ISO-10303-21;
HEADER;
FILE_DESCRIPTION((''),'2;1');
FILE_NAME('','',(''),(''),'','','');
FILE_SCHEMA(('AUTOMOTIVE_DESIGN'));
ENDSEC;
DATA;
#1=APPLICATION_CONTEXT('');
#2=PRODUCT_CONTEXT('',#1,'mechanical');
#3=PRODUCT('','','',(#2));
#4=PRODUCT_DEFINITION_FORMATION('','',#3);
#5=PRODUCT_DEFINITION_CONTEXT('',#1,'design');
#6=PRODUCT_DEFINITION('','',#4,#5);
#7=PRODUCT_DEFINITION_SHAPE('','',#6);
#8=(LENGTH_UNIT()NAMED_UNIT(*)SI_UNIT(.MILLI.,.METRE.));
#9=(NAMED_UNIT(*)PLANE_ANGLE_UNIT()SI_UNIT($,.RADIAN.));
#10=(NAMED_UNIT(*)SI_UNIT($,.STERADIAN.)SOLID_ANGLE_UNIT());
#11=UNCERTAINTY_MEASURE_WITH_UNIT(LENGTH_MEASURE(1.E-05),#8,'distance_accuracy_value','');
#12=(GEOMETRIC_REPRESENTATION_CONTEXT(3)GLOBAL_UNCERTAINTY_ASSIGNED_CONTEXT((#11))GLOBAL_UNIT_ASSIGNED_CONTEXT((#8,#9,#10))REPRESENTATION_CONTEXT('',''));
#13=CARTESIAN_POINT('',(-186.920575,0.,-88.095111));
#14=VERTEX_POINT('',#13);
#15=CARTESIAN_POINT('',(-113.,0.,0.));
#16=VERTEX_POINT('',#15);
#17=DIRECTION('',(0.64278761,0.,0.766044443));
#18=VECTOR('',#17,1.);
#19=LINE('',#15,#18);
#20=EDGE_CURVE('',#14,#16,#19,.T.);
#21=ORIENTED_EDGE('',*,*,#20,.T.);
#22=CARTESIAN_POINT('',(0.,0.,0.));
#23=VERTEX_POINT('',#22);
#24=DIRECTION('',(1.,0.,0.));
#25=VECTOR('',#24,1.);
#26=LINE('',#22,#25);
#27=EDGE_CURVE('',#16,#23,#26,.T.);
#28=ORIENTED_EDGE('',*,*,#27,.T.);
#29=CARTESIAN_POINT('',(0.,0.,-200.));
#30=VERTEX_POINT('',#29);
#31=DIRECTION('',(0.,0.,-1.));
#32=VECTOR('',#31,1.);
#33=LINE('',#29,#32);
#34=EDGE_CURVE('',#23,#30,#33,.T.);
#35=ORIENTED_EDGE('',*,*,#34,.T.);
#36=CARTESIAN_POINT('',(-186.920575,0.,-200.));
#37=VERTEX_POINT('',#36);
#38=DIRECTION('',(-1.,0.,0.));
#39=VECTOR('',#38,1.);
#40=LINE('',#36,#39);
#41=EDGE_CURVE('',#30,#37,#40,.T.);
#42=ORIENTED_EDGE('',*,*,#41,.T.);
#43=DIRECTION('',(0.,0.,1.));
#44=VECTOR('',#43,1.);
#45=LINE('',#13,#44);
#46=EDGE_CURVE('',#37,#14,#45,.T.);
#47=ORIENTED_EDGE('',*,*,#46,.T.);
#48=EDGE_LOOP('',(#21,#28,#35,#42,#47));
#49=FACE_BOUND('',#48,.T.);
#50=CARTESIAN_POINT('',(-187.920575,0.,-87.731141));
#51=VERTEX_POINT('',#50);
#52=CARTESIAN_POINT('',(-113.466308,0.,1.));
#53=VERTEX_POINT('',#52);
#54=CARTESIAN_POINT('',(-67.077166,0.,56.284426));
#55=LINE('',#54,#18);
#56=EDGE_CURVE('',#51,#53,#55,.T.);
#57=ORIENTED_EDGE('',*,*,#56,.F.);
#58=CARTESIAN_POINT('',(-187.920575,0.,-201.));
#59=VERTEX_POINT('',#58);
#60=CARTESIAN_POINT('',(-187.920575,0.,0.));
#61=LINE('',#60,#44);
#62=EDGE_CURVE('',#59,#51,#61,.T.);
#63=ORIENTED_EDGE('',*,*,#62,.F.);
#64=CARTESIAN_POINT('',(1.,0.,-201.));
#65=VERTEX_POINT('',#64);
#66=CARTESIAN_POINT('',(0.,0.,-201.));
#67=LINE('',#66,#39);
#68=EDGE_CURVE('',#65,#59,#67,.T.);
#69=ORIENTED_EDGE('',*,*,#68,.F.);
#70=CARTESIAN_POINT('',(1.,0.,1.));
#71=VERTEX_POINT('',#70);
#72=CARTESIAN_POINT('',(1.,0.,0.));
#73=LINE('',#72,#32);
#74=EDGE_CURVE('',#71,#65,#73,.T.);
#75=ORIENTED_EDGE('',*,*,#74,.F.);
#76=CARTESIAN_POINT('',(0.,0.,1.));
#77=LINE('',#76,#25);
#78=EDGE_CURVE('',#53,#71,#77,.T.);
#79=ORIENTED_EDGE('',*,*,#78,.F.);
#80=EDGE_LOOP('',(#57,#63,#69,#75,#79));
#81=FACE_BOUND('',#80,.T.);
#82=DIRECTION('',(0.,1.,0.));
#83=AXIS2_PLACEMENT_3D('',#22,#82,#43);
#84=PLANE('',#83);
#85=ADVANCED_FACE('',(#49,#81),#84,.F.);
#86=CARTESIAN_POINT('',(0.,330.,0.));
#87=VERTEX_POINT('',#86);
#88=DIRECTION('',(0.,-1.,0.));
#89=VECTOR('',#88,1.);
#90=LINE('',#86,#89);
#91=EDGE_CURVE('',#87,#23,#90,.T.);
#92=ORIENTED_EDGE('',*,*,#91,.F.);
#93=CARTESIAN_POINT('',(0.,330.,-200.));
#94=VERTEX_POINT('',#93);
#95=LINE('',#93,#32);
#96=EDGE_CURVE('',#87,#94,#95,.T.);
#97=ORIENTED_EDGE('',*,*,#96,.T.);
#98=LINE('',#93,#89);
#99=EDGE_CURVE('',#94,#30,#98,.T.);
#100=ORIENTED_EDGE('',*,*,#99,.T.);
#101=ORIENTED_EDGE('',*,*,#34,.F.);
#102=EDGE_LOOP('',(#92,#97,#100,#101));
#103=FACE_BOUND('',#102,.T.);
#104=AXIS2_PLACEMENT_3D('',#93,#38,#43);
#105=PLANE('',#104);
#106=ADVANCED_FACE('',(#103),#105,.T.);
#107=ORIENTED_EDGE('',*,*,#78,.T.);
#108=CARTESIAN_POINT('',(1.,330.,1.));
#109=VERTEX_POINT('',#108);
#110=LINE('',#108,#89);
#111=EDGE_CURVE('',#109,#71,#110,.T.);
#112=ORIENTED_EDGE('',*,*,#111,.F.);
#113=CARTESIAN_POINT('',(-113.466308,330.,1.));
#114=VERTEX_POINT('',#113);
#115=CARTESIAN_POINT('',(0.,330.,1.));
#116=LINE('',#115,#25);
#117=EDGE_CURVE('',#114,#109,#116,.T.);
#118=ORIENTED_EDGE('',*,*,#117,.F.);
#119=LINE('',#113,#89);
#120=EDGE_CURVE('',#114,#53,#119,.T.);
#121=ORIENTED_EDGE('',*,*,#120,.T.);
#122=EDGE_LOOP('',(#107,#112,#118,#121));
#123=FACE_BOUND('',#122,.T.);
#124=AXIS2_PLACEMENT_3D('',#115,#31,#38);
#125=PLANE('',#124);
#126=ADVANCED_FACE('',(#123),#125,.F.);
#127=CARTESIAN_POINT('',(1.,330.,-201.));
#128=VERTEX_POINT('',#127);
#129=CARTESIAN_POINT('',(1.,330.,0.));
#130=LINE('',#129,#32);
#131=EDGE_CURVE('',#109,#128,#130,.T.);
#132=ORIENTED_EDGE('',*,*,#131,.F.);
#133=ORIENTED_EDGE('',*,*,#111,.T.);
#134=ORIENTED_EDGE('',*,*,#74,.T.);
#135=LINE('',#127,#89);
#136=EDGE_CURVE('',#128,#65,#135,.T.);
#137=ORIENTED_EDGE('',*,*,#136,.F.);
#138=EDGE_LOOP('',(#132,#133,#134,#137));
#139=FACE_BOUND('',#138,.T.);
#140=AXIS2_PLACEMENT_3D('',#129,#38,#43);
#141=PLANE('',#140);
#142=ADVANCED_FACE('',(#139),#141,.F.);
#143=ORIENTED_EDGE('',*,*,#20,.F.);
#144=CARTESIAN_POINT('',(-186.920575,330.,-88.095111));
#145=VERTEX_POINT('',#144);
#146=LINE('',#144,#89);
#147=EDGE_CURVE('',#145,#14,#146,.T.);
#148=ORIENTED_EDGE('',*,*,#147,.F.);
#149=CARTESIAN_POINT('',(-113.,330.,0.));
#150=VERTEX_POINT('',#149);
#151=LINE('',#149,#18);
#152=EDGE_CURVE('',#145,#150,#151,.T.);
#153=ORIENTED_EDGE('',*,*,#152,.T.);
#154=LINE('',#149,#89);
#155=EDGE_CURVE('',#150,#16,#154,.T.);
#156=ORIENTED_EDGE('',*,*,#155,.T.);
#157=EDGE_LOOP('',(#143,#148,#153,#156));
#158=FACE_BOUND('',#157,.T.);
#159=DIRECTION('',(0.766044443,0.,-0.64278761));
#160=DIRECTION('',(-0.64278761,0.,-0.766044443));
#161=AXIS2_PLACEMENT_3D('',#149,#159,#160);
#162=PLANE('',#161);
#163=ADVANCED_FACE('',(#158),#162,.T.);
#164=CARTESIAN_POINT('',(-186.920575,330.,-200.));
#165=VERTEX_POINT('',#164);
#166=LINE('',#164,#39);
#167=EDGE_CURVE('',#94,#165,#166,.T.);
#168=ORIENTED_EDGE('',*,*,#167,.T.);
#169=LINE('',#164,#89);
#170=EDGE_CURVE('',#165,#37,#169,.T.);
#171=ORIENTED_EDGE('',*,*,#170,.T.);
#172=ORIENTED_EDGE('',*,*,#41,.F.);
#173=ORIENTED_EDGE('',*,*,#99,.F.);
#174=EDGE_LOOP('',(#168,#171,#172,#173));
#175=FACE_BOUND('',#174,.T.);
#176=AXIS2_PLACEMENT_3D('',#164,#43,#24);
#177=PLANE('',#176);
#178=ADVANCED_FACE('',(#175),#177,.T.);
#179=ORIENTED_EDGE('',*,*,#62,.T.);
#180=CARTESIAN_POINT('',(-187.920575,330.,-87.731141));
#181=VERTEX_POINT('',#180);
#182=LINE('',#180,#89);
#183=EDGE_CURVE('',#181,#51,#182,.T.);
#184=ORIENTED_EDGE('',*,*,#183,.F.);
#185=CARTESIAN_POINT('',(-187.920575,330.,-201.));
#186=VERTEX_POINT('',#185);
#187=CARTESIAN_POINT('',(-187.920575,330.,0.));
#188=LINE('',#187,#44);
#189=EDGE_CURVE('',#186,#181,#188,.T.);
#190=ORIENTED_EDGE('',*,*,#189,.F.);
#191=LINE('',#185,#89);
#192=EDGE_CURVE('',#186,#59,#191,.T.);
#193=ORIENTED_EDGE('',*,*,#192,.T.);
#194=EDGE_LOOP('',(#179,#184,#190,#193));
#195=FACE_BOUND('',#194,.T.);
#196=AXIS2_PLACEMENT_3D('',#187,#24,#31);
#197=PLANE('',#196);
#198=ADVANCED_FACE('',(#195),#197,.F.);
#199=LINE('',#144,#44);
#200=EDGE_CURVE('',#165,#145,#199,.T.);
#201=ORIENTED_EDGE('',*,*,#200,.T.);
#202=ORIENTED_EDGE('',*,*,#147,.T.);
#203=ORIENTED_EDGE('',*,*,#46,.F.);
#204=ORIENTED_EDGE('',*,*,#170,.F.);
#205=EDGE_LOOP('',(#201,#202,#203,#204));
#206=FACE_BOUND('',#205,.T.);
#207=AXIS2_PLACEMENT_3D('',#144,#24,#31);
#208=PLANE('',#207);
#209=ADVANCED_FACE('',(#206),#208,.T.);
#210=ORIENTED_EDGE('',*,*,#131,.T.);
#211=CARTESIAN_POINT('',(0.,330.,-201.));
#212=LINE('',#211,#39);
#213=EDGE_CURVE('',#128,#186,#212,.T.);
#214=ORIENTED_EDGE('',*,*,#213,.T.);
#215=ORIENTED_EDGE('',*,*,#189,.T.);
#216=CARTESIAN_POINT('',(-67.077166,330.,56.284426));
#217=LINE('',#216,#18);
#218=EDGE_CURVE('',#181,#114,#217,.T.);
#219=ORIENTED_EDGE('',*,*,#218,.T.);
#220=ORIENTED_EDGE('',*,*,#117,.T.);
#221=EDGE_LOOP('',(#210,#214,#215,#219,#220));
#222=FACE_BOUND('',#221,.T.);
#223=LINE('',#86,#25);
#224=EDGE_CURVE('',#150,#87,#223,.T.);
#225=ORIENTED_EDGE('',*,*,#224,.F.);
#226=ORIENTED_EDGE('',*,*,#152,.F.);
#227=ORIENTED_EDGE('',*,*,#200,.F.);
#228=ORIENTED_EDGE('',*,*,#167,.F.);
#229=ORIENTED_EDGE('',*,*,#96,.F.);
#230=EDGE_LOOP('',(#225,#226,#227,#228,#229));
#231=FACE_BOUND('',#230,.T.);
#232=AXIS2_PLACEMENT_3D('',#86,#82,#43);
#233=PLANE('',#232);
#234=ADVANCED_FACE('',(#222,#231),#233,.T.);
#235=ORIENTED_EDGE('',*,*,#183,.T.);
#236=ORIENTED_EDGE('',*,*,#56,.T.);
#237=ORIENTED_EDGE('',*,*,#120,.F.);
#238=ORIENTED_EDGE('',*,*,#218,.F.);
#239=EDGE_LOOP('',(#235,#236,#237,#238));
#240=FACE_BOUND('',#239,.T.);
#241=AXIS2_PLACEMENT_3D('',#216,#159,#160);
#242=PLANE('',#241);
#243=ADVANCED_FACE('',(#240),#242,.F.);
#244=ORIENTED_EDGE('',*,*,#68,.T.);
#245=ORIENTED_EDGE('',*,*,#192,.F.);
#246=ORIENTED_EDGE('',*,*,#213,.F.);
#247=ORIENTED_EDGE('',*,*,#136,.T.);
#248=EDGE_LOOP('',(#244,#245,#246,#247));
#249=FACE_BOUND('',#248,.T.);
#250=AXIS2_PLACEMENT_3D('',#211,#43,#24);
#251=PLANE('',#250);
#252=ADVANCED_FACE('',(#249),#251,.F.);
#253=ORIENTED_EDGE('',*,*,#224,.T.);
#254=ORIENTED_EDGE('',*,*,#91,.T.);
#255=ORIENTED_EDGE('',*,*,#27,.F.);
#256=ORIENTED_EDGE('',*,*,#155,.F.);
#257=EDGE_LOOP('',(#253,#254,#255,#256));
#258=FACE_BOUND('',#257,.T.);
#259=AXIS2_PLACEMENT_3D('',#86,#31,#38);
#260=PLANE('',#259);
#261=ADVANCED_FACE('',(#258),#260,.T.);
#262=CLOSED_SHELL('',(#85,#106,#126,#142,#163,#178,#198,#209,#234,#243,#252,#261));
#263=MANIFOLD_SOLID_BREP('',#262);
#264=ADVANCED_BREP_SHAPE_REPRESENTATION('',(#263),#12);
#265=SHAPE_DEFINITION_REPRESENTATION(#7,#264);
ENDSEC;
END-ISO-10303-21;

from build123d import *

# Parameters (mm, degrees)
EXTRUDE_1_DEPTH = 330


with BuildPart() as part:
    # Эскиз1 → Вытянуть-Тонкостенный1 (new body)
    with BuildSketch(Plane(origin=(0, 0, 0), x_dir=(1, 0, 0), z_dir=(0, 1, 0))):
        Polygon((1, -1), (-113.466307658, -1), (-187.920575114, 87.731140724), (-187.920575114, 201), (1, 201), align=None)
        Polygon((0, 0), (-113, 0), (-186.920575114, 88.095110959), (-186.920575114, 200), (0, 200), align=None, mode=Mode.SUBTRACT)
    extrude(amount=EXTRUDE_1_DEPTH)


solid = part.part
